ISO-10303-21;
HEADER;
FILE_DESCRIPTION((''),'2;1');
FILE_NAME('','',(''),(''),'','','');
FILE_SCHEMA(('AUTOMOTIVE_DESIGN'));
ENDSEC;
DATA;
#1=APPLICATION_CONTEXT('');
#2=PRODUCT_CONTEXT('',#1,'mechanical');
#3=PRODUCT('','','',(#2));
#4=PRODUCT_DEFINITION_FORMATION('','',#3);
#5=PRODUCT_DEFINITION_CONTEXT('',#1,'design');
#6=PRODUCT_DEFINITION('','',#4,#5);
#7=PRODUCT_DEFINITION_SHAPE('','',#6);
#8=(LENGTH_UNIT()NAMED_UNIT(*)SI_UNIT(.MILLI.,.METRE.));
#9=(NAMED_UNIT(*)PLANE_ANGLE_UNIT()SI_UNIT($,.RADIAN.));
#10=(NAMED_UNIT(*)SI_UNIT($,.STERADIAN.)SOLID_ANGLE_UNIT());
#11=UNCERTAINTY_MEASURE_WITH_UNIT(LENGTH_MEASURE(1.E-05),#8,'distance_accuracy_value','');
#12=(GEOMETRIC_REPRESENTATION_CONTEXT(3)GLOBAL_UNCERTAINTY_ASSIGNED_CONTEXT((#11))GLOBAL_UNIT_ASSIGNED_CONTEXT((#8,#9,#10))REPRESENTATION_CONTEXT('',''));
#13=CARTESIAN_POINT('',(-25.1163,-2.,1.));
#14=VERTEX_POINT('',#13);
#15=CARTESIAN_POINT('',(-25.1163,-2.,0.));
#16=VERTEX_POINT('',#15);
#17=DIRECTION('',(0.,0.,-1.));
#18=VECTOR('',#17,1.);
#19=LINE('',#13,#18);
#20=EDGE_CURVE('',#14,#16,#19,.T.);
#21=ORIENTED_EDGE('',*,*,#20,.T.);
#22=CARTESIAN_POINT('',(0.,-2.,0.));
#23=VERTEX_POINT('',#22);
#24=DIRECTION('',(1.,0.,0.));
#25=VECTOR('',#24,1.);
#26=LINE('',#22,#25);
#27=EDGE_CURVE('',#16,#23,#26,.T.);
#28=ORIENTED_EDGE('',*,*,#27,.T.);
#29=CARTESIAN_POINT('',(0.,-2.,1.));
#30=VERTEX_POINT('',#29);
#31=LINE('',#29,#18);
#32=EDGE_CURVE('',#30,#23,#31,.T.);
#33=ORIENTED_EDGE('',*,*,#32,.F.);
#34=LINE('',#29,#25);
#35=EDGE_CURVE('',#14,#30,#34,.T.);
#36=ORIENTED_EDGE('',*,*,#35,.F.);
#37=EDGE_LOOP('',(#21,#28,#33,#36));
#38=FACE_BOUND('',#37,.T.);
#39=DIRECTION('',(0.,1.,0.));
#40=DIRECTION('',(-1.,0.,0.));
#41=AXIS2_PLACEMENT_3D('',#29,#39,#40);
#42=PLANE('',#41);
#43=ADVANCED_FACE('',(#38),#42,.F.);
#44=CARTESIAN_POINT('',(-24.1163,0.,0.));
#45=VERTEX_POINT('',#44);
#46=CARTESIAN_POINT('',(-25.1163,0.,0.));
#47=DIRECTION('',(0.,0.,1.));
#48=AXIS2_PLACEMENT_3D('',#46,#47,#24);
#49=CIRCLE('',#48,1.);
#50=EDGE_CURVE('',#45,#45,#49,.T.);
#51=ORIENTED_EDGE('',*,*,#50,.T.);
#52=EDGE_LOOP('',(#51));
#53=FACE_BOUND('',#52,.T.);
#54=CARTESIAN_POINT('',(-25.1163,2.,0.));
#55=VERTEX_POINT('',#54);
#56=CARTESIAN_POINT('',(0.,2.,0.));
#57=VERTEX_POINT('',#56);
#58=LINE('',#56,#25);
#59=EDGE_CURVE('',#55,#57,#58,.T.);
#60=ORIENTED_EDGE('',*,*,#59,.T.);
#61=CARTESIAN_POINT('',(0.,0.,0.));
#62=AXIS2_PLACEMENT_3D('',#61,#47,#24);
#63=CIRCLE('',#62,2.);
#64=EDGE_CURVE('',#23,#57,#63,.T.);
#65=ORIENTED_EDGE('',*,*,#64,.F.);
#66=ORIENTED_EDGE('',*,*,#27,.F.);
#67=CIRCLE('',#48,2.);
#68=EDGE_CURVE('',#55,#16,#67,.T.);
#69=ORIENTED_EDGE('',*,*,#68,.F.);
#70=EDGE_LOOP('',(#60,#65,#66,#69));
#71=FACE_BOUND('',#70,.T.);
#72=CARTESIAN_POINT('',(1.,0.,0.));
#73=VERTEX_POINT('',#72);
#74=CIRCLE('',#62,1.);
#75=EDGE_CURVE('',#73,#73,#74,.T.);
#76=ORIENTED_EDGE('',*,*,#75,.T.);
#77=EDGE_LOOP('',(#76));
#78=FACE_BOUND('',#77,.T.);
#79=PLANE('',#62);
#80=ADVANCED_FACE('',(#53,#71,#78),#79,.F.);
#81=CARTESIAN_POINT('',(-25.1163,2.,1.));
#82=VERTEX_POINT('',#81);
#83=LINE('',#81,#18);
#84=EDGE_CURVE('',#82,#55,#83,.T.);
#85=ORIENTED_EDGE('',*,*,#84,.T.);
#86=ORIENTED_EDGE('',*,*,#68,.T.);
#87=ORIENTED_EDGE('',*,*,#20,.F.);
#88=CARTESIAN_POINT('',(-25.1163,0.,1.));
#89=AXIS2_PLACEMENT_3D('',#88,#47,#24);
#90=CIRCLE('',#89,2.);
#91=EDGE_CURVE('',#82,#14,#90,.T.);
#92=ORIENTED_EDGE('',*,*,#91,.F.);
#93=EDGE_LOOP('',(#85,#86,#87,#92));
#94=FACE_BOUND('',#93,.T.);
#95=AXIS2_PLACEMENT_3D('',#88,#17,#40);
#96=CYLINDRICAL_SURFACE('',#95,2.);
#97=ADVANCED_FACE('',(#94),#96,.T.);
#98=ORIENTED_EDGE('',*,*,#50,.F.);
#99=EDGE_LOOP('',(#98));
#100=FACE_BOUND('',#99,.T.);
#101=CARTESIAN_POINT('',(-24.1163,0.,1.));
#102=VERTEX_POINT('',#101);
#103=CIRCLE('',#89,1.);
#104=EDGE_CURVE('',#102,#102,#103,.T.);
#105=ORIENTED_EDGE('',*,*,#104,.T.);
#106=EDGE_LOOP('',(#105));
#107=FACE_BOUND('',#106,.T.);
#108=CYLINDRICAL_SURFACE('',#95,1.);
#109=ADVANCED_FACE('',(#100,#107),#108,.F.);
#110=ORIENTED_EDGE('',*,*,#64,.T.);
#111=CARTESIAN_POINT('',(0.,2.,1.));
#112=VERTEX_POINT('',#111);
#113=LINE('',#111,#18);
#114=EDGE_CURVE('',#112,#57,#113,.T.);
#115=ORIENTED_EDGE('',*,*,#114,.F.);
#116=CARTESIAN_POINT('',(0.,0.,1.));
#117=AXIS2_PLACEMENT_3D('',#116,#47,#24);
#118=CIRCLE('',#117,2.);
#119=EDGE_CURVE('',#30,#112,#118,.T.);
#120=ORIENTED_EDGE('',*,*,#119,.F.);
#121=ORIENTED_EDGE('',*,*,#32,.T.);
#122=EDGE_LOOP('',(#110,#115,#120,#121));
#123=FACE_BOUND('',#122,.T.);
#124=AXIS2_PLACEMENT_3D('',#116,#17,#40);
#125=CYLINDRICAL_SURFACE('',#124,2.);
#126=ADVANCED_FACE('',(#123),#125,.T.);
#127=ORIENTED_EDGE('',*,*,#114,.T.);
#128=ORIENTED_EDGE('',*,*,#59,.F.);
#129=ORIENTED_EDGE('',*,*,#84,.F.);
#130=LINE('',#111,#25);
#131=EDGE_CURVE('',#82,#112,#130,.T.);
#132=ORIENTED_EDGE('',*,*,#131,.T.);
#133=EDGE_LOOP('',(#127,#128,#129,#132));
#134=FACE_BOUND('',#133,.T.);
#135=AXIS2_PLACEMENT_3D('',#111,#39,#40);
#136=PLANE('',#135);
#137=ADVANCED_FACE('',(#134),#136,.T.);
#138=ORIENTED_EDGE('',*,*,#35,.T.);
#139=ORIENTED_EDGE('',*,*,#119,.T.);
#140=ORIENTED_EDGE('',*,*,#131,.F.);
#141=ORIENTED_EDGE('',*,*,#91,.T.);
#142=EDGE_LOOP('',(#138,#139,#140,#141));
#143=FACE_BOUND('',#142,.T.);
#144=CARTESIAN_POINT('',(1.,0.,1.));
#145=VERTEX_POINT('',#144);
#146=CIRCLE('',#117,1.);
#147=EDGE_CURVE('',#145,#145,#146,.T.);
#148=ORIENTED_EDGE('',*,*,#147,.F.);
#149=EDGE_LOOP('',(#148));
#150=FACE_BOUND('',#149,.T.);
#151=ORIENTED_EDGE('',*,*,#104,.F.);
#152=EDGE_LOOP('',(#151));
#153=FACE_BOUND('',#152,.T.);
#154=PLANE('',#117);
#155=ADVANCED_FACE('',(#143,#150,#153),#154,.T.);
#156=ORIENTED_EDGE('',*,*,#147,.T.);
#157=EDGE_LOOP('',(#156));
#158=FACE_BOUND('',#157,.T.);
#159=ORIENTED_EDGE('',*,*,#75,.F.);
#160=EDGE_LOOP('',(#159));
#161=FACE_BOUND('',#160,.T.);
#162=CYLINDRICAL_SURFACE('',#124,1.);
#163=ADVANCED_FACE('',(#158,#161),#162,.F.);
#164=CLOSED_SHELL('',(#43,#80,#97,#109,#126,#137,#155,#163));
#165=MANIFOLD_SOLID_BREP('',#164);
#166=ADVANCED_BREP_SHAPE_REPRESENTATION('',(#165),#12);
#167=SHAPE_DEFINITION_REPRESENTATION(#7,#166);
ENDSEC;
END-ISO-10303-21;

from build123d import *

# Parameters (mm, degrees)
SKETCH1_R      = 1
EXTRUDE1_DEPTH = 1


with BuildPart() as part:
    # Sketch1 → Extrude1 (new body)
    with BuildSketch(Plane.XY):
        with BuildLine():
            Line((0, 2), (-25.1163, 2))
            ThreePointArc((-25.1163, 2), (-27.1163, 0), (-25.1163, -2))
            Line((-25.1163, -2), (0, -2))
            ThreePointArc((0, -2), (2, 0), (0, 2))
        make_face()
        with Locations((-25.1163, 0)):
            Circle(SKETCH1_R, mode=Mode.SUBTRACT)
        Circle(SKETCH1_R, mode=Mode.SUBTRACT)
    extrude(amount=EXTRUDE1_DEPTH)


solid = part.part
